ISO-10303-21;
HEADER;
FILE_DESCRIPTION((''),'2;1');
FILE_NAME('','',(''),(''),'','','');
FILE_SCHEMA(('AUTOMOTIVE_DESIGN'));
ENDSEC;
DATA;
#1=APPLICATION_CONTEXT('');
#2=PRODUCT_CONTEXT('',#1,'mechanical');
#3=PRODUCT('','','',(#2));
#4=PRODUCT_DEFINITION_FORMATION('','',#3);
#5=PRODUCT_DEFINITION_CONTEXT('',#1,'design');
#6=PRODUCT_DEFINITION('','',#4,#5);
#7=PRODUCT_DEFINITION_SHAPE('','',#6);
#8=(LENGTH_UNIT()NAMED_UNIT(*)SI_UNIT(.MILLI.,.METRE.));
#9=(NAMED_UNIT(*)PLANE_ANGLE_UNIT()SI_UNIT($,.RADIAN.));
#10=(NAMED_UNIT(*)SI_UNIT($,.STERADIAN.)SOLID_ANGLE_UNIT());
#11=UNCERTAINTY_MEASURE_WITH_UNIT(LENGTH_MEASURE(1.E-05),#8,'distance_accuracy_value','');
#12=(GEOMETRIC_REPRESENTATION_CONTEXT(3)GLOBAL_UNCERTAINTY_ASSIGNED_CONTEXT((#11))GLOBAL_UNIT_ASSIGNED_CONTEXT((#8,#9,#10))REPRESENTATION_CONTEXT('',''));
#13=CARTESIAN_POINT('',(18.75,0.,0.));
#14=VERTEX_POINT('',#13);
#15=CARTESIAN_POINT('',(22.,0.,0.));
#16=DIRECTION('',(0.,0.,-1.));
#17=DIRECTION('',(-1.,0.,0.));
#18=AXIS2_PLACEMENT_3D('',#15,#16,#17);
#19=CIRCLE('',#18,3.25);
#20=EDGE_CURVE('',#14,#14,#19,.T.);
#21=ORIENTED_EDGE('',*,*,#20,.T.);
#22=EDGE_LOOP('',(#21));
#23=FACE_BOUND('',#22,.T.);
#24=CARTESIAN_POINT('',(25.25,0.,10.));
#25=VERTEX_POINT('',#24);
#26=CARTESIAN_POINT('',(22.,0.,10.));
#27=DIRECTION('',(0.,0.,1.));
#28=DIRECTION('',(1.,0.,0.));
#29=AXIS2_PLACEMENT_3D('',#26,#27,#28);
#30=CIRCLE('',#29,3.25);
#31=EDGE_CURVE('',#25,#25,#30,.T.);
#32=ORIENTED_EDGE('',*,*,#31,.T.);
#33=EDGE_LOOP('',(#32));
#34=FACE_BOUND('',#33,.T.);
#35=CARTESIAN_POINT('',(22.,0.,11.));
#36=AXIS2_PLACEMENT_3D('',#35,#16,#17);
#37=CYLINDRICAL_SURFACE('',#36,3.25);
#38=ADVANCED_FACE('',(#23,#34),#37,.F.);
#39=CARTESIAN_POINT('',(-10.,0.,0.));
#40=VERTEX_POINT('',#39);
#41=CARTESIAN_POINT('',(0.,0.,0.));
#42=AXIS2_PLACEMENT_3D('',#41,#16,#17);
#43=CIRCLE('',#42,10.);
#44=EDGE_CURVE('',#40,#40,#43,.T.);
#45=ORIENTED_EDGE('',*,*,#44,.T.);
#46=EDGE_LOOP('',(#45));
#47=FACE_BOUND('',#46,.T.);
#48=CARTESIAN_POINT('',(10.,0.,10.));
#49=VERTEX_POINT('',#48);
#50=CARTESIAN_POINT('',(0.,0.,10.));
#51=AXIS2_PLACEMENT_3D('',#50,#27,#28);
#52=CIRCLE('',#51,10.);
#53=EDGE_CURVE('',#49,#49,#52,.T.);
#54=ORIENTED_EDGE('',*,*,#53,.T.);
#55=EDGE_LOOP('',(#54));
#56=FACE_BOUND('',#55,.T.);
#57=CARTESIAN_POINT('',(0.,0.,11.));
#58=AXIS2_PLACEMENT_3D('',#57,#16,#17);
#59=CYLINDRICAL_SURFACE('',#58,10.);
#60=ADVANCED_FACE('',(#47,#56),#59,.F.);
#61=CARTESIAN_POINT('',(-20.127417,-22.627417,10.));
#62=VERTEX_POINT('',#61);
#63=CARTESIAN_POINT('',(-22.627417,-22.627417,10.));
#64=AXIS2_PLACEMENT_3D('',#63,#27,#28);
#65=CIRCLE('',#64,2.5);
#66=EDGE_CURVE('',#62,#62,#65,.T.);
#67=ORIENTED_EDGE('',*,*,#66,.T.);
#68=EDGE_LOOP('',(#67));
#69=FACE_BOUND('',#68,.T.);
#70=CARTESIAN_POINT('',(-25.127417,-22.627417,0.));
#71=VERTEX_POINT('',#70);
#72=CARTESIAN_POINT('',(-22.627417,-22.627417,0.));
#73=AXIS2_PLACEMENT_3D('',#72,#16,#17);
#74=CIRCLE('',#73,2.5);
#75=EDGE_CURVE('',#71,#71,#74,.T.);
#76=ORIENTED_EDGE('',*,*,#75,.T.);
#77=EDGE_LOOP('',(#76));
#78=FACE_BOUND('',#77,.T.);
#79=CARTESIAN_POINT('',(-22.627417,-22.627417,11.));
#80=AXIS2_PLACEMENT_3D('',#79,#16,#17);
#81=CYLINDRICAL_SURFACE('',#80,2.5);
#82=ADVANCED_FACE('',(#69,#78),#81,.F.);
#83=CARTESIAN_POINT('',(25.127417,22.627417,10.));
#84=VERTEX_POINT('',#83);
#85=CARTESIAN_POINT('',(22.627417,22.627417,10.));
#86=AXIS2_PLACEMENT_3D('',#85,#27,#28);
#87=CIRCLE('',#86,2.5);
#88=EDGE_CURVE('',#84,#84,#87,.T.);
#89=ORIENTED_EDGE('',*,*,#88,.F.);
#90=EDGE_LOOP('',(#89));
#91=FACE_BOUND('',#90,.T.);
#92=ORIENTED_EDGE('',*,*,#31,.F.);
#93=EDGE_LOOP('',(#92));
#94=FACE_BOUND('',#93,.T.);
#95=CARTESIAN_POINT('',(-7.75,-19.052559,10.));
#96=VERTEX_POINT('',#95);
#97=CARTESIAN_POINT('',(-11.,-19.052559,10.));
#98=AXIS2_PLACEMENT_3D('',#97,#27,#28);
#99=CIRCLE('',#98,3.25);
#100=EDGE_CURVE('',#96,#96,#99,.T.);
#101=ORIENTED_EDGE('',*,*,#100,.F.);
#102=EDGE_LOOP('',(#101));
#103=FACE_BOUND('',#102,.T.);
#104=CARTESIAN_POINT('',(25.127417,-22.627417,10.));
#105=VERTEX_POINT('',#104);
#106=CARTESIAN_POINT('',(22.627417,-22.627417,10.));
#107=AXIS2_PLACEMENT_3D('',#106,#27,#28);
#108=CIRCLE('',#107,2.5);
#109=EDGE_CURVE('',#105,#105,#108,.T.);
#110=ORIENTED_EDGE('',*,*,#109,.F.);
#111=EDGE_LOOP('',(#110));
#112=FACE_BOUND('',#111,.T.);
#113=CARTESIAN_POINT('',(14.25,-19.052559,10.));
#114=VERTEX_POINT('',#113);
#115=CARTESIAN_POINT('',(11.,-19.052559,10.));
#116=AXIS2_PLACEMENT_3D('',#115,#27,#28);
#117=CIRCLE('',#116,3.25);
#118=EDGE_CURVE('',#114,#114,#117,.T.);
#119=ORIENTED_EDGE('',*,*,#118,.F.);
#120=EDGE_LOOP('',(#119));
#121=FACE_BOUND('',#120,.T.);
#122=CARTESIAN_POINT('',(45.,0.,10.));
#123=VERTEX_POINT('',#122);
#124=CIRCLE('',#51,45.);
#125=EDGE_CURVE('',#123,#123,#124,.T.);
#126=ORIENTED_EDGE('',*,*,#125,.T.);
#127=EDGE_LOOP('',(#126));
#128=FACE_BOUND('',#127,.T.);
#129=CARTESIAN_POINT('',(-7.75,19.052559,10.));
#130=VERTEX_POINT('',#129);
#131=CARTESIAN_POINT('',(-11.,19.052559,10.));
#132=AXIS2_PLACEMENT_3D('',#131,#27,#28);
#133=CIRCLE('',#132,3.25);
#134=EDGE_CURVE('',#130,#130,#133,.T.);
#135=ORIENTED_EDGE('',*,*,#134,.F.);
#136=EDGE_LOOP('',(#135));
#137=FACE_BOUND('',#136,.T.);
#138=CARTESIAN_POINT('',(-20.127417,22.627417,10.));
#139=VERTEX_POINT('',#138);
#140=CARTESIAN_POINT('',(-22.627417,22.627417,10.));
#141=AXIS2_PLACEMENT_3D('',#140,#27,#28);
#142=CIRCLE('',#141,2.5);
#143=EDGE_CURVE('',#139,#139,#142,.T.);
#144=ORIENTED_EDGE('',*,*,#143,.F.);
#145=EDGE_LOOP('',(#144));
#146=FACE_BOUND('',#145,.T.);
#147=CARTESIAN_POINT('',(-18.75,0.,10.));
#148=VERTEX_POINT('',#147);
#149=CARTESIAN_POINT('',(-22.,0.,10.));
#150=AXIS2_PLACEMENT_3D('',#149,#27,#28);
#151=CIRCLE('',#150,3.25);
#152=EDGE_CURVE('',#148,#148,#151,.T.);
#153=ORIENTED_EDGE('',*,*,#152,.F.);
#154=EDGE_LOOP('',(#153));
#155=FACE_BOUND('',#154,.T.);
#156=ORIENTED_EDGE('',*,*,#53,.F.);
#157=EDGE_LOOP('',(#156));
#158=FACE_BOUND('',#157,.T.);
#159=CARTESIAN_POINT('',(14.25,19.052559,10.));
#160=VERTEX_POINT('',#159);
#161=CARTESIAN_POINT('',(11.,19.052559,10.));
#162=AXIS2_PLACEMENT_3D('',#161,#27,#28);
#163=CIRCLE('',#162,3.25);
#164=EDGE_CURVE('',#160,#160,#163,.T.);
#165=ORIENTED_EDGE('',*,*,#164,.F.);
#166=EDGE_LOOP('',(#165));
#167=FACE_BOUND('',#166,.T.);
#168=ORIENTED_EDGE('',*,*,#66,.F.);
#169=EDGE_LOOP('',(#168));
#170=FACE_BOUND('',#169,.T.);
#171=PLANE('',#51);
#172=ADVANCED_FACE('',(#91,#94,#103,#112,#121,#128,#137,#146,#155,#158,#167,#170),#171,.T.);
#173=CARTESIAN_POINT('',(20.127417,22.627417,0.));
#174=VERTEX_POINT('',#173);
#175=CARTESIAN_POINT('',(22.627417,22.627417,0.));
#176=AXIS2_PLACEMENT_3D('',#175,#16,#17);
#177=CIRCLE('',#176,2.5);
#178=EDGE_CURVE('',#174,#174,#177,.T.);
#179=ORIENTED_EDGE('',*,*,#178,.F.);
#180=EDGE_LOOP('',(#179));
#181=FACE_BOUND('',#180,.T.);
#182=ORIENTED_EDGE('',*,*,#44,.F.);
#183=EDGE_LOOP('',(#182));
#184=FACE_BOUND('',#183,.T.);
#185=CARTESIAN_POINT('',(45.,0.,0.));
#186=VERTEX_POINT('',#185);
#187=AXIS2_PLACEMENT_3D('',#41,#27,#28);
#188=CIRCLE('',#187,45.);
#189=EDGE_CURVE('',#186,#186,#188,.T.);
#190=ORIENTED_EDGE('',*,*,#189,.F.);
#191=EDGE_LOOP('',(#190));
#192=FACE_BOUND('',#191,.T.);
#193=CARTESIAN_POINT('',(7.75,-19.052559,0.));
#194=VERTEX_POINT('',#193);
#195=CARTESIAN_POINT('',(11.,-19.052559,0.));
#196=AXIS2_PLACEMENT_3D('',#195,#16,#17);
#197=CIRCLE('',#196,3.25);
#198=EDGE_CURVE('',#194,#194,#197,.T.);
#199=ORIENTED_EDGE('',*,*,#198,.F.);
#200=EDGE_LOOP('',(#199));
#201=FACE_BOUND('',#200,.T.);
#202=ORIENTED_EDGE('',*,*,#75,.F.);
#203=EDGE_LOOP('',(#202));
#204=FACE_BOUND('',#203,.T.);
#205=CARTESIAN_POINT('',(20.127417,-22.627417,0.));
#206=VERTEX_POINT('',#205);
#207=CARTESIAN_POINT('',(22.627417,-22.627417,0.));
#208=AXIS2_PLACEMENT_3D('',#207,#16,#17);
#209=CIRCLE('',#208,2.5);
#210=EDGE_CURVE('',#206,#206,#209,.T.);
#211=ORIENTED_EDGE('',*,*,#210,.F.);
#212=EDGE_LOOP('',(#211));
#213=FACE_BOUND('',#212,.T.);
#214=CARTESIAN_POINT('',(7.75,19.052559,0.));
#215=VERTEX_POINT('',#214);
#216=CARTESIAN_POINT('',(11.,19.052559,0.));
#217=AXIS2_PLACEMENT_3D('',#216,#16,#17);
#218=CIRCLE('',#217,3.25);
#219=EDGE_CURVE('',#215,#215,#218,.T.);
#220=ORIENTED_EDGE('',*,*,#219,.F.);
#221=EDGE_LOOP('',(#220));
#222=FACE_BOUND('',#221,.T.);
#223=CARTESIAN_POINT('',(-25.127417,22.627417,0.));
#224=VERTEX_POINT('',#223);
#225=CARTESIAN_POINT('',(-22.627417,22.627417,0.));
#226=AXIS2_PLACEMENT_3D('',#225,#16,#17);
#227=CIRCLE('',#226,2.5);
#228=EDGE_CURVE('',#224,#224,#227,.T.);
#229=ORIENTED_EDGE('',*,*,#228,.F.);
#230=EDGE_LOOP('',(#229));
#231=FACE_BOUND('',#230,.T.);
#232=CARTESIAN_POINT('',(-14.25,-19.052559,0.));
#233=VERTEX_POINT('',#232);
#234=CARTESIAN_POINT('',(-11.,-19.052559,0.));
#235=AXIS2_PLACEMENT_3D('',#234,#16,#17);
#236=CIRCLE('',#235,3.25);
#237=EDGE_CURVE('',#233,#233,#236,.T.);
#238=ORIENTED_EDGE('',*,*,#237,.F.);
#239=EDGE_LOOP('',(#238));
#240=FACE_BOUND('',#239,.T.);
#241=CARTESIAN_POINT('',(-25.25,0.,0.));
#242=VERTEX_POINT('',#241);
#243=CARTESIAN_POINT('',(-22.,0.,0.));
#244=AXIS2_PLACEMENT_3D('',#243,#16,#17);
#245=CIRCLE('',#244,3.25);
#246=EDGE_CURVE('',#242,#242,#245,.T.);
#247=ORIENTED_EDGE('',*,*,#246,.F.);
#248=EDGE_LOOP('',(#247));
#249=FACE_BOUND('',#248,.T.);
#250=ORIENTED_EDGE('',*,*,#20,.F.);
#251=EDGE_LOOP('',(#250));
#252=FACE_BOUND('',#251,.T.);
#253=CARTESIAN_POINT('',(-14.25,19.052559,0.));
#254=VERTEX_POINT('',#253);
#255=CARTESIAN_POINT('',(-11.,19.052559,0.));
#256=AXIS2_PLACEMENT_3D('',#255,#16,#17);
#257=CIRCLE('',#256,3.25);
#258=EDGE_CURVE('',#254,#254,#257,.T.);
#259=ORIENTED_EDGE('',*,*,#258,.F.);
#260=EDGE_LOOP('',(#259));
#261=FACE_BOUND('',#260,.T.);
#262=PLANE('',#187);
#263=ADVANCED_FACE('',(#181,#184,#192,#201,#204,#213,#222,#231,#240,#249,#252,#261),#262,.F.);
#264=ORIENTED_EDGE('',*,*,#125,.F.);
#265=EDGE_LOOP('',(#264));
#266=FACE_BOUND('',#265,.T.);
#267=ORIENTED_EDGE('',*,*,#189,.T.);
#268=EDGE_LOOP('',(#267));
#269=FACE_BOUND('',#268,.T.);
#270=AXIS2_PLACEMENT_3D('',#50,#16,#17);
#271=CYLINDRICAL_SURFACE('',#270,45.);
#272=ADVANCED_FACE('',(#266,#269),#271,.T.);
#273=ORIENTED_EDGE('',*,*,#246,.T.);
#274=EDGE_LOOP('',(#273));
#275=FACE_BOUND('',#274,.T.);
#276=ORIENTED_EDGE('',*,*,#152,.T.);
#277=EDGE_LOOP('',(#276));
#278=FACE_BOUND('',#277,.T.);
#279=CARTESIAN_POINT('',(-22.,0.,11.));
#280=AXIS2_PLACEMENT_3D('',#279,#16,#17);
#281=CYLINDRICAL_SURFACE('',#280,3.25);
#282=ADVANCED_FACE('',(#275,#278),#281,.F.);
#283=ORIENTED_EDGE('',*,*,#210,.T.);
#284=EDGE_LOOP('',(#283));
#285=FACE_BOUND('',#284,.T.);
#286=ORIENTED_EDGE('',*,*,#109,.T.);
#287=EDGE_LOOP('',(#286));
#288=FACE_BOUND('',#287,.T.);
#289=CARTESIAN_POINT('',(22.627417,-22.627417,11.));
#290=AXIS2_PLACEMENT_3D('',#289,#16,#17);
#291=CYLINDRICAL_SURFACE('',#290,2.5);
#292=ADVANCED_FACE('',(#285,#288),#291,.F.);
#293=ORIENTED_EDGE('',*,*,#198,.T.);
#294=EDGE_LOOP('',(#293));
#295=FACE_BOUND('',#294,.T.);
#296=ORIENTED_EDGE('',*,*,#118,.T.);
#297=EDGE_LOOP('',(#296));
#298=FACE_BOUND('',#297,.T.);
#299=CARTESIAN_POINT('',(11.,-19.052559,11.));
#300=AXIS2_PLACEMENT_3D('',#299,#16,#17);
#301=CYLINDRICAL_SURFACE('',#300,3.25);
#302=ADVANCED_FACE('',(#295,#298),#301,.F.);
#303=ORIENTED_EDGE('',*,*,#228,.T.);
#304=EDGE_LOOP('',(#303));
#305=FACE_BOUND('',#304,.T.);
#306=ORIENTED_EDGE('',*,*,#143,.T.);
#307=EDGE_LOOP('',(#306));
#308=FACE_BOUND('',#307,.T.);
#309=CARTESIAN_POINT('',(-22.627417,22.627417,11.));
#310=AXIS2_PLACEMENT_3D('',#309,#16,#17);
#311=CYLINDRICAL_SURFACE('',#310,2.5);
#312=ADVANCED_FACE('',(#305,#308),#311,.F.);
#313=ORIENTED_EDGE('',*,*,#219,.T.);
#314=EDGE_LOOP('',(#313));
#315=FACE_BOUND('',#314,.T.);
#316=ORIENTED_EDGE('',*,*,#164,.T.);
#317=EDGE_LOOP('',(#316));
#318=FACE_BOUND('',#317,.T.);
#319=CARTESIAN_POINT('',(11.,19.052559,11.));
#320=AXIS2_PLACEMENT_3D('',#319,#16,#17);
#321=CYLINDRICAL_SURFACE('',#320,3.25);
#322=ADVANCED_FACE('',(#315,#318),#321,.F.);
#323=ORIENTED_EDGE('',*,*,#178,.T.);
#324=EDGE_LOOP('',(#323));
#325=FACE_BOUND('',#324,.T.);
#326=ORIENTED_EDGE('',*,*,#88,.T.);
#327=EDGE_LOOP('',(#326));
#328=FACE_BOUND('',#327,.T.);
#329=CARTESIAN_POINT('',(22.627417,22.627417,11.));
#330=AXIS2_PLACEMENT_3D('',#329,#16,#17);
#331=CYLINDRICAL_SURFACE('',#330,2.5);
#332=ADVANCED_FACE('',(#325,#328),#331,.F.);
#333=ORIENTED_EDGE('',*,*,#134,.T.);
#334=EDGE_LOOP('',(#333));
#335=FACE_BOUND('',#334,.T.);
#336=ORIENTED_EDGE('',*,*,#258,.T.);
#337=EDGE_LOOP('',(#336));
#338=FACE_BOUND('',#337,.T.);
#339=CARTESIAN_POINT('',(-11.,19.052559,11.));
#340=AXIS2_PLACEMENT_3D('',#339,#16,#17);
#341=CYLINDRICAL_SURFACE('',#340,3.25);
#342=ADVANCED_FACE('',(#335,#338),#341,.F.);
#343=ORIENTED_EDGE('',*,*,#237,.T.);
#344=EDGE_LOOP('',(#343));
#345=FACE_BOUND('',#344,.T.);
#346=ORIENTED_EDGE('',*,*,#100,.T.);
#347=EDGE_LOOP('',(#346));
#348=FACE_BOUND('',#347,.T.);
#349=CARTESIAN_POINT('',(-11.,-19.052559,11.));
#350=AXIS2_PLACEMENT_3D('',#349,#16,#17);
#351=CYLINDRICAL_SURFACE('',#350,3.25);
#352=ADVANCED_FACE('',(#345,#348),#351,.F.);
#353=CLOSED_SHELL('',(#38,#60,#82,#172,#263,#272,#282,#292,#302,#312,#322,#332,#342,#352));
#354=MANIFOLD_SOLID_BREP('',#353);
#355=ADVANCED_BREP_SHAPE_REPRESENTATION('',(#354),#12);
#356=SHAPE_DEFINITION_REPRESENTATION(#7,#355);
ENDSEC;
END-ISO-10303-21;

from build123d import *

# Parameters (mm, degrees)
SKETCH_1_R          = 45
EXTRUDE_1_DEPTH     = 10
SKETCH_2_R          = 10
SKETCH_2_R_2        = 3.25
SKETCH_2_R_3        = 2.5
CUT_EXTRUDE_1_DEPTH = 11


with BuildPart() as part:
    # 草图1 → 凸台-拉伸1 (new body)
    with BuildSketch(Plane.XY):
        Circle(SKETCH_1_R)
    extrude(amount=EXTRUDE_1_DEPTH)

    # 草图2 → 切除-拉伸1 (cut)
    with BuildSketch(Plane(origin=(0, 0, 0), x_dir=(-1, 0, 0), z_dir=(0, 0, -1))):
        Circle(SKETCH_2_R)
        with Locations((-22, 0)):
            Circle(SKETCH_2_R_2)
        with Locations((-11, 19.052558883)):
            Circle(SKETCH_2_R_2)
        with Locations((11, 19.052558883)):
            Circle(SKETCH_2_R_2)
        with Locations((22, 0)):
            Circle(SKETCH_2_R_2)
        with Locations((11, -19.052558883)):
            Circle(SKETCH_2_R_2)
        with Locations((-11, -19.052558883)):
            Circle(SKETCH_2_R_2)
        with Locations((-22.627416998, 22.627416998)):
            Circle(SKETCH_2_R_3)
        with Locations((22.627416998, 22.627416998)):
            Circle(SKETCH_2_R_3)
        with Locations((22.627416998, -22.627416998)):
            Circle(SKETCH_2_R_3)
        with Locations((-22.627416998, -22.627416998)):
            Circle(SKETCH_2_R_3)
    extrude(amount=-CUT_EXTRUDE_1_DEPTH, mode=Mode.SUBTRACT)


solid = part.part
